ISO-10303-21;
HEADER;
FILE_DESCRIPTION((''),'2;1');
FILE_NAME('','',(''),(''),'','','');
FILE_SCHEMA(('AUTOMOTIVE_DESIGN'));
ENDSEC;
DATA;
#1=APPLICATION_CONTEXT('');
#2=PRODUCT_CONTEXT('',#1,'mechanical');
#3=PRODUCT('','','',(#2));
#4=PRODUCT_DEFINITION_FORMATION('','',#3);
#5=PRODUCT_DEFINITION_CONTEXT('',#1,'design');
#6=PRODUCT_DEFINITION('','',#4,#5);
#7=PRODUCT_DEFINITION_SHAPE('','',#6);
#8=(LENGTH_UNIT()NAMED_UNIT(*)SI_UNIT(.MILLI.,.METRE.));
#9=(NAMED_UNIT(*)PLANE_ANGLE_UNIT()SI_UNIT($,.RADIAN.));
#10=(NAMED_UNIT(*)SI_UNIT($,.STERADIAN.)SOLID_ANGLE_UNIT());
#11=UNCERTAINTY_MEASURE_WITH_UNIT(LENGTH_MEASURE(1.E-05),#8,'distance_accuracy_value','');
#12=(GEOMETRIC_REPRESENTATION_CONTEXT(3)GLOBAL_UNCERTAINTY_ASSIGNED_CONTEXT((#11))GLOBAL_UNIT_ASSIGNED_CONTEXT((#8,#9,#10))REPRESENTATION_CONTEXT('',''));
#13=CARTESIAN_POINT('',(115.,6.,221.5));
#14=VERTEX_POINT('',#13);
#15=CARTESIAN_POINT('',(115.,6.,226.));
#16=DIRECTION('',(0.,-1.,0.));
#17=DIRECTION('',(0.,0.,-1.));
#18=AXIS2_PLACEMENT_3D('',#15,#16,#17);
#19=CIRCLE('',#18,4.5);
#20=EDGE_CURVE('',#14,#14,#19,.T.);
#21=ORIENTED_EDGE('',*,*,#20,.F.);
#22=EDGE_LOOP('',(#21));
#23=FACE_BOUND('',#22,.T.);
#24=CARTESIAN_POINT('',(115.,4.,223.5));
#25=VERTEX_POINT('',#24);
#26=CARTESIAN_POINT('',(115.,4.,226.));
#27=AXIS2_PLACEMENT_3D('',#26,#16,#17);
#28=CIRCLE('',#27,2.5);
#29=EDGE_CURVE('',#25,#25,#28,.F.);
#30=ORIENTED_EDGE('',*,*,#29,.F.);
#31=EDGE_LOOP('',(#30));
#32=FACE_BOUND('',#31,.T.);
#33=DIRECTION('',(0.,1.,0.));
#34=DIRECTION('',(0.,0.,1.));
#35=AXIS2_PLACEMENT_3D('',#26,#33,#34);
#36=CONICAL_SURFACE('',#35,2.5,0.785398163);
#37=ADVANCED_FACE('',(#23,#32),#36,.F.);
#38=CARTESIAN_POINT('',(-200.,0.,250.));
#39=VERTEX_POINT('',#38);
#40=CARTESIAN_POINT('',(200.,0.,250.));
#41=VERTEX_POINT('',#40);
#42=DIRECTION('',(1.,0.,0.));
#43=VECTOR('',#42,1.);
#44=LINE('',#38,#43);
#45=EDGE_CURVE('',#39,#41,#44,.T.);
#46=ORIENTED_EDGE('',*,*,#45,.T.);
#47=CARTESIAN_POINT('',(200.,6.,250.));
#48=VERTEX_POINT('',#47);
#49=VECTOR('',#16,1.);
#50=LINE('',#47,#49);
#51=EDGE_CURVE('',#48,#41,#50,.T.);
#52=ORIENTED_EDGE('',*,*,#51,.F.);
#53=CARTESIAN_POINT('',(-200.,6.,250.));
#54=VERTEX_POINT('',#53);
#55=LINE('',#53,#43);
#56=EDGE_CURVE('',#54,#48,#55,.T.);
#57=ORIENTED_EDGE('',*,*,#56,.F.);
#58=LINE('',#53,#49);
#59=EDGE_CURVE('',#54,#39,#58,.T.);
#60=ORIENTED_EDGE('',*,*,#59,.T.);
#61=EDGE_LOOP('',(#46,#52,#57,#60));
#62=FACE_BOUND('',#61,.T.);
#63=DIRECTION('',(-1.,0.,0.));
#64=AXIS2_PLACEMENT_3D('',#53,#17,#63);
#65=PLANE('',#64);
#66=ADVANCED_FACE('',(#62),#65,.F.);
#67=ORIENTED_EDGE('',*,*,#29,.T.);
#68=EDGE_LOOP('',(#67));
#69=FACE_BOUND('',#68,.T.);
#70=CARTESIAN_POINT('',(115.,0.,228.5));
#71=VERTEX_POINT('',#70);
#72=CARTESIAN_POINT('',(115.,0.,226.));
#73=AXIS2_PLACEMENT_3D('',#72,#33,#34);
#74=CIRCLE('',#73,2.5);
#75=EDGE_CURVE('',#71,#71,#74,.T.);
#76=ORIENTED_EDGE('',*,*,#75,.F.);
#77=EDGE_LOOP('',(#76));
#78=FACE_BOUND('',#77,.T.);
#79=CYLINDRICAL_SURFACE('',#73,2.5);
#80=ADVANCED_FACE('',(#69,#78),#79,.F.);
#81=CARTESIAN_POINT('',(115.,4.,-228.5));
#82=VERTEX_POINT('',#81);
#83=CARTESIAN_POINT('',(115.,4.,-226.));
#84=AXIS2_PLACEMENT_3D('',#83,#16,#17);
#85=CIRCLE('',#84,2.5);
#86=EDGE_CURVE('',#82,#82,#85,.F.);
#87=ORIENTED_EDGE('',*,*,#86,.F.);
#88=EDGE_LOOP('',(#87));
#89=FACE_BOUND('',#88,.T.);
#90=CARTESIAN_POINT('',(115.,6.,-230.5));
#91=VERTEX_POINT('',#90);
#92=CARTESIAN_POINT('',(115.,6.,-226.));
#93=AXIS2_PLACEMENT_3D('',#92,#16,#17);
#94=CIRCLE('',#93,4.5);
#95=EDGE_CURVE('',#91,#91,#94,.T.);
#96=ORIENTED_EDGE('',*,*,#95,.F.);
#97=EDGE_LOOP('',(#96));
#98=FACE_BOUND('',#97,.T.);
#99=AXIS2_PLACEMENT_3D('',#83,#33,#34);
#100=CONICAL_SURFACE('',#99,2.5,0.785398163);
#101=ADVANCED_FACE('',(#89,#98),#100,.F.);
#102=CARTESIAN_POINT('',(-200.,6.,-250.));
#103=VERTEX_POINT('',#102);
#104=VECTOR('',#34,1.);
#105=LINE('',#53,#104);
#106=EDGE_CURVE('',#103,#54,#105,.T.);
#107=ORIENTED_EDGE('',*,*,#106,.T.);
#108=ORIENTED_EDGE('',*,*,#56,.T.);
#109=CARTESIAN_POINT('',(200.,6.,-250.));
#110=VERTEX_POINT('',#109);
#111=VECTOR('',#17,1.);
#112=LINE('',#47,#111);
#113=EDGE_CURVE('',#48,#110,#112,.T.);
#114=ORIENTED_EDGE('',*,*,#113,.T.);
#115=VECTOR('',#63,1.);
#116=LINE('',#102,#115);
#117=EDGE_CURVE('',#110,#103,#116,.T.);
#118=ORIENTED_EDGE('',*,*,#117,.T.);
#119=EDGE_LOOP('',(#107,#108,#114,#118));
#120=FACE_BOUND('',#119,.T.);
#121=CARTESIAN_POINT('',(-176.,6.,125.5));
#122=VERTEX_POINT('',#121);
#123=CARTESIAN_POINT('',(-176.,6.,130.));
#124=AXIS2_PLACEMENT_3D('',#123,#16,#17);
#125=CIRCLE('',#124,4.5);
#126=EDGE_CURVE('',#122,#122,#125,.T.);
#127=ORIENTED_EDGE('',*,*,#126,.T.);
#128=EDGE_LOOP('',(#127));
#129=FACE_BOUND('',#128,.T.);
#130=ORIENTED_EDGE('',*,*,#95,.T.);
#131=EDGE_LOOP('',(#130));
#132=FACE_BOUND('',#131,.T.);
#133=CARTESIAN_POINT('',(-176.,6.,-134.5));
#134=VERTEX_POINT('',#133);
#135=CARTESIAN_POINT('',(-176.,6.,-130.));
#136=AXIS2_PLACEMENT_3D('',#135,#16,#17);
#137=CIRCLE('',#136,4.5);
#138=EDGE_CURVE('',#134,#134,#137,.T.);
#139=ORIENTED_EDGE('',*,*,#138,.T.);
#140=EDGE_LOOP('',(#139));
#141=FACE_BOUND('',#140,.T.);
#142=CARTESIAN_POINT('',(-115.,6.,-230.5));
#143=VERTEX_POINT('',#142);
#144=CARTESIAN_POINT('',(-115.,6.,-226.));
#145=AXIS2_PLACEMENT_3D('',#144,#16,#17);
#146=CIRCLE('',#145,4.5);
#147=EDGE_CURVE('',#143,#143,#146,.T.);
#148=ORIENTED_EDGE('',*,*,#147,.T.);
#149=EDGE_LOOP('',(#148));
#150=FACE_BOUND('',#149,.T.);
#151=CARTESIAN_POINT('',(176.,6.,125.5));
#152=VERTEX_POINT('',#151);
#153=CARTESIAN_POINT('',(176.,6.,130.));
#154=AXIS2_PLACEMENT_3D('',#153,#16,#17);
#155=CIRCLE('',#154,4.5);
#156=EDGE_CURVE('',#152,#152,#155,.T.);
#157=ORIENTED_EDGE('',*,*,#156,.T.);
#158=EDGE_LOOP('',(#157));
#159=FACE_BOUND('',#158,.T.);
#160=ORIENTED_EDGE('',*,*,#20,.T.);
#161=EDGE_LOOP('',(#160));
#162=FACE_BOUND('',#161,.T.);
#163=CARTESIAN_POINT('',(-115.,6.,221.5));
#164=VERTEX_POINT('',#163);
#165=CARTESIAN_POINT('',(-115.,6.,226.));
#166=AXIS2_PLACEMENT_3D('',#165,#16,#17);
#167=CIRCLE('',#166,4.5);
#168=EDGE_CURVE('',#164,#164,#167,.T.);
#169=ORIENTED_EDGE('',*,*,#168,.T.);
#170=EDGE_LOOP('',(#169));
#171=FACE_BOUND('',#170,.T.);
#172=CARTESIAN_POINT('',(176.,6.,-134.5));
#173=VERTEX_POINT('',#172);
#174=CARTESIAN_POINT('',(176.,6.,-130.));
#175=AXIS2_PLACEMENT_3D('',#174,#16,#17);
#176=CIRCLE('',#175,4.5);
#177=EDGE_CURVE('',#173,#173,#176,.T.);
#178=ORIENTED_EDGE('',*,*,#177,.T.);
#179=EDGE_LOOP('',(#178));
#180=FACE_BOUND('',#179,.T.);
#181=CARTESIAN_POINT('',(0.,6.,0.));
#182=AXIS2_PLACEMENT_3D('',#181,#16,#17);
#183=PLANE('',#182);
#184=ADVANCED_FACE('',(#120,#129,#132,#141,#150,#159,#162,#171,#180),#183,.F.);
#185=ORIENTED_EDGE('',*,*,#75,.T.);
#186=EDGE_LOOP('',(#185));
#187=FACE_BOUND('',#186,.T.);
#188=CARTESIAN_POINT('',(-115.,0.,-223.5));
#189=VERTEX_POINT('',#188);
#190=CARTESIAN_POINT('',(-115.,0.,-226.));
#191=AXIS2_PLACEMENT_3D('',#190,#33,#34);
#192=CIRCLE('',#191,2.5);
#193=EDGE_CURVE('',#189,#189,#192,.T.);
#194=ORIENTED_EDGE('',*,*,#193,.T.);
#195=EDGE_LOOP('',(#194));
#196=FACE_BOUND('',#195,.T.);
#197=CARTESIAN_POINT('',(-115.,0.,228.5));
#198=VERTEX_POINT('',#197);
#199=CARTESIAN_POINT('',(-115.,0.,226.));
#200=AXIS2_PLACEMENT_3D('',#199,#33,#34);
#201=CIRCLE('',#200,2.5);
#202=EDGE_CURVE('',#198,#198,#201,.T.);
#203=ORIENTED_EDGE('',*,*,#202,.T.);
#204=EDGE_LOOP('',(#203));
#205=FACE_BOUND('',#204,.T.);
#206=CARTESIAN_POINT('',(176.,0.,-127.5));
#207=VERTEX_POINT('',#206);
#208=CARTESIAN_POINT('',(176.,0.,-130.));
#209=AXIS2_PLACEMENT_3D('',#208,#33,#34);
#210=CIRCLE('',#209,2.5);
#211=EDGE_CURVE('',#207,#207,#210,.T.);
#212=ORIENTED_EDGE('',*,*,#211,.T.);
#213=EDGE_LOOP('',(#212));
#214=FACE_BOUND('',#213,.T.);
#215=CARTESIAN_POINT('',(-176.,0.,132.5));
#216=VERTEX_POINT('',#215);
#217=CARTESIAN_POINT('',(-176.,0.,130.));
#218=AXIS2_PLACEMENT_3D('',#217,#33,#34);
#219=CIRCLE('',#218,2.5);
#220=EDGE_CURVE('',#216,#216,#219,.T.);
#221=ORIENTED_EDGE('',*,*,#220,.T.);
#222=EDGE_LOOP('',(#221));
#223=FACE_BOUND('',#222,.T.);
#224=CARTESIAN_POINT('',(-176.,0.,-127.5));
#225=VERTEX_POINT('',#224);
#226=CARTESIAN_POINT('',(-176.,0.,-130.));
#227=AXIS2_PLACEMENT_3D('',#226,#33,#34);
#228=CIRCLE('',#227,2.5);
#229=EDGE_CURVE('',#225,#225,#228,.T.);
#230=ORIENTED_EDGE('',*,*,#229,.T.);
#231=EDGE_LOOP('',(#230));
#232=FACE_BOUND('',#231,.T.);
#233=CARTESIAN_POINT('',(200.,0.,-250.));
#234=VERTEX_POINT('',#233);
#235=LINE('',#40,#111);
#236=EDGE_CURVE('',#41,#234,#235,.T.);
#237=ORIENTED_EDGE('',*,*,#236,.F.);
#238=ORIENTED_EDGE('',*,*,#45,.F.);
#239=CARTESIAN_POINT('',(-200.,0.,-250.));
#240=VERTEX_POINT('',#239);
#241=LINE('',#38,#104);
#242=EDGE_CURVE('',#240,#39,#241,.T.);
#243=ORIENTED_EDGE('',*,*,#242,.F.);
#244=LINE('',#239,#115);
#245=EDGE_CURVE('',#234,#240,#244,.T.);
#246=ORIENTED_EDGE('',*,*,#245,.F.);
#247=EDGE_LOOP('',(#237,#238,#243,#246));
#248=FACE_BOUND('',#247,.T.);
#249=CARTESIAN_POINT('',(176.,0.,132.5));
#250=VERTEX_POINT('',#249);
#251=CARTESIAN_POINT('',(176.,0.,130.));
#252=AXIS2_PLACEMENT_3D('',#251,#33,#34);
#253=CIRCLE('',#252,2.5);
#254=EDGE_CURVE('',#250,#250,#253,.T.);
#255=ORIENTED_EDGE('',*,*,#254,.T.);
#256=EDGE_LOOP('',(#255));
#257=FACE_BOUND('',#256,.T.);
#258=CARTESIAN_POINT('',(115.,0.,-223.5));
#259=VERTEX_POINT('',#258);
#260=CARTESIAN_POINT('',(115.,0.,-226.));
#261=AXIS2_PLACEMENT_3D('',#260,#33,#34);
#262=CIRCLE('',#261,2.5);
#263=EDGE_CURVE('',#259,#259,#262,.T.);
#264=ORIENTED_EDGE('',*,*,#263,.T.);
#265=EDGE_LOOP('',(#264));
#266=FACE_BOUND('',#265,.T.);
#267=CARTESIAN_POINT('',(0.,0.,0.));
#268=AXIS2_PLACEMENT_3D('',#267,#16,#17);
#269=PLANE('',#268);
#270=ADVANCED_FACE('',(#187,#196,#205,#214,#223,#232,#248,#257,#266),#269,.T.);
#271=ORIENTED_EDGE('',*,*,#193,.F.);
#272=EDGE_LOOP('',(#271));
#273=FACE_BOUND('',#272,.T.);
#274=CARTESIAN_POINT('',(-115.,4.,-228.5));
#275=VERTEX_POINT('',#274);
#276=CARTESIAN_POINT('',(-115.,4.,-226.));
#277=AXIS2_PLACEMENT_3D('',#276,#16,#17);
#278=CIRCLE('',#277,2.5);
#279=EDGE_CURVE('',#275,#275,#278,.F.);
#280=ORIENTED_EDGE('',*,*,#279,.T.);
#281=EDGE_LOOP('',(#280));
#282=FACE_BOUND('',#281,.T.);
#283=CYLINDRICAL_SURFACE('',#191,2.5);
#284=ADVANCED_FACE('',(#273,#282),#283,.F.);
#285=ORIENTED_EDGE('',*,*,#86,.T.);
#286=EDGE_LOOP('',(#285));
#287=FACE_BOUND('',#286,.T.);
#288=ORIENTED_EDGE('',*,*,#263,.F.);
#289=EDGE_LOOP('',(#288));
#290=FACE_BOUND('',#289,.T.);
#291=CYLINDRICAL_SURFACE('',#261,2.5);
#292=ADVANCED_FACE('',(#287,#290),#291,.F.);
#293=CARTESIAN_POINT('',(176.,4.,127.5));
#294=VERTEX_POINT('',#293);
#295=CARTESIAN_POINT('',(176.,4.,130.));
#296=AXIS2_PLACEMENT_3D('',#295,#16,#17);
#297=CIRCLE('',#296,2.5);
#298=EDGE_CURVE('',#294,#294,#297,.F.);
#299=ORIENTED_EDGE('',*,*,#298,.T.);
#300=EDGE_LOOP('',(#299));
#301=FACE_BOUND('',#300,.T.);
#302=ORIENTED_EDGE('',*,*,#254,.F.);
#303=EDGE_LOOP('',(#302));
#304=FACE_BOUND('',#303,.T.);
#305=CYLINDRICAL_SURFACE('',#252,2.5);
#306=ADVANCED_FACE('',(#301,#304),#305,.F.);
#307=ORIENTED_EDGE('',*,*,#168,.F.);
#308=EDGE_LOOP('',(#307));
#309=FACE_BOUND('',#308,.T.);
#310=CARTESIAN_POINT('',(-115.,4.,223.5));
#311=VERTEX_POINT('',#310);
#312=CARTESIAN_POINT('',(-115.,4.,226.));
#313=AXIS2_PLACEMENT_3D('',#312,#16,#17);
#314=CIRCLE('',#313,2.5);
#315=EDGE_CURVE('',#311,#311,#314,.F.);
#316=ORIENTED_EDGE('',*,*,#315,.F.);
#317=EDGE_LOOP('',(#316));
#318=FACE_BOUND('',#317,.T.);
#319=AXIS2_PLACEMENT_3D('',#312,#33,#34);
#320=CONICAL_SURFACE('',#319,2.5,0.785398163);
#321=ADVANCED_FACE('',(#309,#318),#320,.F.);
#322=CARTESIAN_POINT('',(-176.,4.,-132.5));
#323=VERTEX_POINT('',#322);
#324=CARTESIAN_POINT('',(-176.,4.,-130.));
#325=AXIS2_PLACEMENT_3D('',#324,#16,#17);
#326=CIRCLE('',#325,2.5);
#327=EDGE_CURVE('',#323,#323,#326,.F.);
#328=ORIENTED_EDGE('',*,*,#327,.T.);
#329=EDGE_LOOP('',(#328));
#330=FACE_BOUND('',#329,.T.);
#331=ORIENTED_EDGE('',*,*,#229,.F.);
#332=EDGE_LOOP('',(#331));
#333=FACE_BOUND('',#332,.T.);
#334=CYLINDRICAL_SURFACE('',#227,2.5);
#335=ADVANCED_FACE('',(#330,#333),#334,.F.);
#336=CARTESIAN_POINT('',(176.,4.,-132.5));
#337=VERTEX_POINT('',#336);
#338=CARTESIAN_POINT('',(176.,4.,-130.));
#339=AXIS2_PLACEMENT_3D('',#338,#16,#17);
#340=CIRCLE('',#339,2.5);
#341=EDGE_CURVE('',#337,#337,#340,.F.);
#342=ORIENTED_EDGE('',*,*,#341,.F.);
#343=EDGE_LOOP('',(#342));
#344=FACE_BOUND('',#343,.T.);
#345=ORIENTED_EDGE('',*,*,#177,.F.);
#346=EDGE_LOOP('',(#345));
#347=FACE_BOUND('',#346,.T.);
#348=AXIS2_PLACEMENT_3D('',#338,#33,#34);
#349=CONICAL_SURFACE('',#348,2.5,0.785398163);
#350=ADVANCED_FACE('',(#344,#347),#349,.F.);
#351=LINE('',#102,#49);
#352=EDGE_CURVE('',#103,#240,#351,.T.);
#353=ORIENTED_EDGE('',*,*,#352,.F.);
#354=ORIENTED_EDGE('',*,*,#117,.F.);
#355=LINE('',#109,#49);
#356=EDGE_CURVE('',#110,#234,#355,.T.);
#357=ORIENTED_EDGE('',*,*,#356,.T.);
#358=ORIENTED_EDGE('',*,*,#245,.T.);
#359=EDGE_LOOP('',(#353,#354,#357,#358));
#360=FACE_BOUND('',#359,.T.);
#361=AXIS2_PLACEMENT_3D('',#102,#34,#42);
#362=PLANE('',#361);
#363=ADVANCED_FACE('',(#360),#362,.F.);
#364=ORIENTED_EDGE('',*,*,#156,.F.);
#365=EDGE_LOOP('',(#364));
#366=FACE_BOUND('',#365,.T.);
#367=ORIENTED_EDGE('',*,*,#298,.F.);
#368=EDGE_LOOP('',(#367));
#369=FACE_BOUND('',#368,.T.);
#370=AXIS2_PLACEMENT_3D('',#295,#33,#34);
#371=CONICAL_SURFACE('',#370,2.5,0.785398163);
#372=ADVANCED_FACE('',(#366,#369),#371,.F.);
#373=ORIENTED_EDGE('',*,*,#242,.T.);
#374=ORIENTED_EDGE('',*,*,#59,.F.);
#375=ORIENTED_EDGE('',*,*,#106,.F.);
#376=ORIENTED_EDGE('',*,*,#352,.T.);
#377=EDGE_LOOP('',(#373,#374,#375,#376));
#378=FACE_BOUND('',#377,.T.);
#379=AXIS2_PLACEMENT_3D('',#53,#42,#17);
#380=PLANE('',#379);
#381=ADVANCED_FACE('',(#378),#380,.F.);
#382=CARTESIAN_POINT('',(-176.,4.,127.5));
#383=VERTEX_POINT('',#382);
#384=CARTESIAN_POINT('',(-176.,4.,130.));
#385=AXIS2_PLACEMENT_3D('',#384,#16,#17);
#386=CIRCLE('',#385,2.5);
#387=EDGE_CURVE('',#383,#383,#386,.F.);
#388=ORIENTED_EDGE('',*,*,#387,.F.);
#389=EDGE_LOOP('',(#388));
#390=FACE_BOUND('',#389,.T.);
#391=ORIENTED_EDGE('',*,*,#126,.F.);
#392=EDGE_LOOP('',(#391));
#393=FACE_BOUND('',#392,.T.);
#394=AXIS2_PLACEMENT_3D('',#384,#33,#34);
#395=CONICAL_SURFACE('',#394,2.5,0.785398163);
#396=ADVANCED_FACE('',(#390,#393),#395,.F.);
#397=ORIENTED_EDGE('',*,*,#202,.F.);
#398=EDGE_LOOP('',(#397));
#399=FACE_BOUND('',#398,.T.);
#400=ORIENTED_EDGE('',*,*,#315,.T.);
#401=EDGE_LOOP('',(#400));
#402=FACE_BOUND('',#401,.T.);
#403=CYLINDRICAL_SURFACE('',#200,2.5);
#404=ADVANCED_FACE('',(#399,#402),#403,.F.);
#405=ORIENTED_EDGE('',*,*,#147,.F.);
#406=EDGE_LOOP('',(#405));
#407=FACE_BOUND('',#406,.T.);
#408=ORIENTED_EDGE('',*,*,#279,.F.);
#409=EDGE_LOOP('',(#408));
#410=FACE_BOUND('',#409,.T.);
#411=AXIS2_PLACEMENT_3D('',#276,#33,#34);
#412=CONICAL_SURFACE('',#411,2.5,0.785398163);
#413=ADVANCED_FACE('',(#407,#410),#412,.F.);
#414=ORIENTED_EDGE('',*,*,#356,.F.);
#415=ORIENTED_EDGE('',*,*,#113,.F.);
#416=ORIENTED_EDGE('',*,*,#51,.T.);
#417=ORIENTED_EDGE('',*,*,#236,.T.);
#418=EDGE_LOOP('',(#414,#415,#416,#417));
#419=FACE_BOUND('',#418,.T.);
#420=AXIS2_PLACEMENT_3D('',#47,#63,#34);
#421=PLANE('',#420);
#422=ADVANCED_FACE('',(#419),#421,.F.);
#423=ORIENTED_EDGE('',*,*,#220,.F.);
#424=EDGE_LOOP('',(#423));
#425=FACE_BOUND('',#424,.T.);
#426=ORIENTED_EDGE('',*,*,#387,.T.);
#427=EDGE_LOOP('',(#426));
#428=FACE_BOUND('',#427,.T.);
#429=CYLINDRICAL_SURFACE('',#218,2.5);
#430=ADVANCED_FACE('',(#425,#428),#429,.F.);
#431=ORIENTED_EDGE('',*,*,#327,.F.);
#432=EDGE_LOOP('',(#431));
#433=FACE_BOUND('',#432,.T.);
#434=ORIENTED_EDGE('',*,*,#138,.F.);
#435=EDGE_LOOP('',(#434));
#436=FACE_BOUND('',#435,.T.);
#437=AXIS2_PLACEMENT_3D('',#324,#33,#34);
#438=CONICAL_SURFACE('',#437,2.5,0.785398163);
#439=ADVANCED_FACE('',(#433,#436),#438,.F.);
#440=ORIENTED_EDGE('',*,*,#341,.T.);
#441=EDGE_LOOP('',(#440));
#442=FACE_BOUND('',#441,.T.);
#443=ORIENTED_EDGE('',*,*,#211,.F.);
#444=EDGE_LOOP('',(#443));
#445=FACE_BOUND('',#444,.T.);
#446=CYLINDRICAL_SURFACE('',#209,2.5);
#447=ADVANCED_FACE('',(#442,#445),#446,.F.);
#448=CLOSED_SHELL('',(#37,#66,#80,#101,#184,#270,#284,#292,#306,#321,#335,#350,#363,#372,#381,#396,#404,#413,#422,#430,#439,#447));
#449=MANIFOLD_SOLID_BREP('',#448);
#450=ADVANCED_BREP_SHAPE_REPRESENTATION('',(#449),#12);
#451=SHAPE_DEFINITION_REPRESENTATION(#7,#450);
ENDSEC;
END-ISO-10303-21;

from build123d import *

# Parameters (mm, degrees)
ESQUISSE1_W             = 400
ESQUISSE1_H             = 500
BOSS_EXTRU_1_DEPTH      = 6
ESQUISSE2_R             = 2.5
ENL_V_MAT_EXTRU_1_DEPTH = 321.21242949
CHANFREIN1_SIZE         = 2


with BuildPart() as part:
    # Esquisse1 → Boss.-Extru.1 (new body)
    with BuildSketch(Plane(origin=(0, 0, 0), x_dir=(1, 0, 0), z_dir=(0, 1, 0))):
        Rectangle(ESQUISSE1_W, ESQUISSE1_H)
    extrude(amount=BOSS_EXTRU_1_DEPTH)

    # Esquisse2 → Enlèv. mat.-Extru.1 (cut, through all)
    with BuildSketch(Plane(origin=(0, 6, 0), x_dir=(1, 0, 0), z_dir=(0, 1, 0))):
        with Locations(Location((-176, 130, 0), (0, 0, 270))):
            Circle(ESQUISSE2_R)
        with Locations(Location((176, 130, 0), (0, 0, 270))):
            Circle(ESQUISSE2_R)
        with Locations(Location((-176, -130, 0), (0, 0, 270))):
            Circle(ESQUISSE2_R)
        with Locations(Location((176, -130, 0), (0, 0, 270))):
            Circle(ESQUISSE2_R)
        with Locations(Location((-115, 226, 0), (0, 0, 270))):
            Circle(ESQUISSE2_R)
        with Locations(Location((115, 226, 0), (0, 0, 270))):
            Circle(ESQUISSE2_R)
        with Locations(Location((-115, -226, 0), (0, 0, 270))):
            Circle(ESQUISSE2_R)
        with Locations(Location((115, -226, 0), (0, 0, 270))):
            Circle(ESQUISSE2_R)
    extrude(amount=-ENL_V_MAT_EXTRU_1_DEPTH, mode=Mode.SUBTRACT)

    # Chanfrein1
    chanfrein1_edges = [part.edges().sort_by_distance(p)[0] for p in [
        (-115, 6, -228.5),
        (176, 6, 127.5),
        (-176, 6, 127.5),
        (176, 6, -132.5),
        (115, 6, 223.5),
        (-115, 6, 223.5),
        (115, 6, -228.5),
        (-176, 6, -132.5),
    ]]
    chamfer(chanfrein1_edges, length=CHANFREIN1_SIZE)


solid = part.part
